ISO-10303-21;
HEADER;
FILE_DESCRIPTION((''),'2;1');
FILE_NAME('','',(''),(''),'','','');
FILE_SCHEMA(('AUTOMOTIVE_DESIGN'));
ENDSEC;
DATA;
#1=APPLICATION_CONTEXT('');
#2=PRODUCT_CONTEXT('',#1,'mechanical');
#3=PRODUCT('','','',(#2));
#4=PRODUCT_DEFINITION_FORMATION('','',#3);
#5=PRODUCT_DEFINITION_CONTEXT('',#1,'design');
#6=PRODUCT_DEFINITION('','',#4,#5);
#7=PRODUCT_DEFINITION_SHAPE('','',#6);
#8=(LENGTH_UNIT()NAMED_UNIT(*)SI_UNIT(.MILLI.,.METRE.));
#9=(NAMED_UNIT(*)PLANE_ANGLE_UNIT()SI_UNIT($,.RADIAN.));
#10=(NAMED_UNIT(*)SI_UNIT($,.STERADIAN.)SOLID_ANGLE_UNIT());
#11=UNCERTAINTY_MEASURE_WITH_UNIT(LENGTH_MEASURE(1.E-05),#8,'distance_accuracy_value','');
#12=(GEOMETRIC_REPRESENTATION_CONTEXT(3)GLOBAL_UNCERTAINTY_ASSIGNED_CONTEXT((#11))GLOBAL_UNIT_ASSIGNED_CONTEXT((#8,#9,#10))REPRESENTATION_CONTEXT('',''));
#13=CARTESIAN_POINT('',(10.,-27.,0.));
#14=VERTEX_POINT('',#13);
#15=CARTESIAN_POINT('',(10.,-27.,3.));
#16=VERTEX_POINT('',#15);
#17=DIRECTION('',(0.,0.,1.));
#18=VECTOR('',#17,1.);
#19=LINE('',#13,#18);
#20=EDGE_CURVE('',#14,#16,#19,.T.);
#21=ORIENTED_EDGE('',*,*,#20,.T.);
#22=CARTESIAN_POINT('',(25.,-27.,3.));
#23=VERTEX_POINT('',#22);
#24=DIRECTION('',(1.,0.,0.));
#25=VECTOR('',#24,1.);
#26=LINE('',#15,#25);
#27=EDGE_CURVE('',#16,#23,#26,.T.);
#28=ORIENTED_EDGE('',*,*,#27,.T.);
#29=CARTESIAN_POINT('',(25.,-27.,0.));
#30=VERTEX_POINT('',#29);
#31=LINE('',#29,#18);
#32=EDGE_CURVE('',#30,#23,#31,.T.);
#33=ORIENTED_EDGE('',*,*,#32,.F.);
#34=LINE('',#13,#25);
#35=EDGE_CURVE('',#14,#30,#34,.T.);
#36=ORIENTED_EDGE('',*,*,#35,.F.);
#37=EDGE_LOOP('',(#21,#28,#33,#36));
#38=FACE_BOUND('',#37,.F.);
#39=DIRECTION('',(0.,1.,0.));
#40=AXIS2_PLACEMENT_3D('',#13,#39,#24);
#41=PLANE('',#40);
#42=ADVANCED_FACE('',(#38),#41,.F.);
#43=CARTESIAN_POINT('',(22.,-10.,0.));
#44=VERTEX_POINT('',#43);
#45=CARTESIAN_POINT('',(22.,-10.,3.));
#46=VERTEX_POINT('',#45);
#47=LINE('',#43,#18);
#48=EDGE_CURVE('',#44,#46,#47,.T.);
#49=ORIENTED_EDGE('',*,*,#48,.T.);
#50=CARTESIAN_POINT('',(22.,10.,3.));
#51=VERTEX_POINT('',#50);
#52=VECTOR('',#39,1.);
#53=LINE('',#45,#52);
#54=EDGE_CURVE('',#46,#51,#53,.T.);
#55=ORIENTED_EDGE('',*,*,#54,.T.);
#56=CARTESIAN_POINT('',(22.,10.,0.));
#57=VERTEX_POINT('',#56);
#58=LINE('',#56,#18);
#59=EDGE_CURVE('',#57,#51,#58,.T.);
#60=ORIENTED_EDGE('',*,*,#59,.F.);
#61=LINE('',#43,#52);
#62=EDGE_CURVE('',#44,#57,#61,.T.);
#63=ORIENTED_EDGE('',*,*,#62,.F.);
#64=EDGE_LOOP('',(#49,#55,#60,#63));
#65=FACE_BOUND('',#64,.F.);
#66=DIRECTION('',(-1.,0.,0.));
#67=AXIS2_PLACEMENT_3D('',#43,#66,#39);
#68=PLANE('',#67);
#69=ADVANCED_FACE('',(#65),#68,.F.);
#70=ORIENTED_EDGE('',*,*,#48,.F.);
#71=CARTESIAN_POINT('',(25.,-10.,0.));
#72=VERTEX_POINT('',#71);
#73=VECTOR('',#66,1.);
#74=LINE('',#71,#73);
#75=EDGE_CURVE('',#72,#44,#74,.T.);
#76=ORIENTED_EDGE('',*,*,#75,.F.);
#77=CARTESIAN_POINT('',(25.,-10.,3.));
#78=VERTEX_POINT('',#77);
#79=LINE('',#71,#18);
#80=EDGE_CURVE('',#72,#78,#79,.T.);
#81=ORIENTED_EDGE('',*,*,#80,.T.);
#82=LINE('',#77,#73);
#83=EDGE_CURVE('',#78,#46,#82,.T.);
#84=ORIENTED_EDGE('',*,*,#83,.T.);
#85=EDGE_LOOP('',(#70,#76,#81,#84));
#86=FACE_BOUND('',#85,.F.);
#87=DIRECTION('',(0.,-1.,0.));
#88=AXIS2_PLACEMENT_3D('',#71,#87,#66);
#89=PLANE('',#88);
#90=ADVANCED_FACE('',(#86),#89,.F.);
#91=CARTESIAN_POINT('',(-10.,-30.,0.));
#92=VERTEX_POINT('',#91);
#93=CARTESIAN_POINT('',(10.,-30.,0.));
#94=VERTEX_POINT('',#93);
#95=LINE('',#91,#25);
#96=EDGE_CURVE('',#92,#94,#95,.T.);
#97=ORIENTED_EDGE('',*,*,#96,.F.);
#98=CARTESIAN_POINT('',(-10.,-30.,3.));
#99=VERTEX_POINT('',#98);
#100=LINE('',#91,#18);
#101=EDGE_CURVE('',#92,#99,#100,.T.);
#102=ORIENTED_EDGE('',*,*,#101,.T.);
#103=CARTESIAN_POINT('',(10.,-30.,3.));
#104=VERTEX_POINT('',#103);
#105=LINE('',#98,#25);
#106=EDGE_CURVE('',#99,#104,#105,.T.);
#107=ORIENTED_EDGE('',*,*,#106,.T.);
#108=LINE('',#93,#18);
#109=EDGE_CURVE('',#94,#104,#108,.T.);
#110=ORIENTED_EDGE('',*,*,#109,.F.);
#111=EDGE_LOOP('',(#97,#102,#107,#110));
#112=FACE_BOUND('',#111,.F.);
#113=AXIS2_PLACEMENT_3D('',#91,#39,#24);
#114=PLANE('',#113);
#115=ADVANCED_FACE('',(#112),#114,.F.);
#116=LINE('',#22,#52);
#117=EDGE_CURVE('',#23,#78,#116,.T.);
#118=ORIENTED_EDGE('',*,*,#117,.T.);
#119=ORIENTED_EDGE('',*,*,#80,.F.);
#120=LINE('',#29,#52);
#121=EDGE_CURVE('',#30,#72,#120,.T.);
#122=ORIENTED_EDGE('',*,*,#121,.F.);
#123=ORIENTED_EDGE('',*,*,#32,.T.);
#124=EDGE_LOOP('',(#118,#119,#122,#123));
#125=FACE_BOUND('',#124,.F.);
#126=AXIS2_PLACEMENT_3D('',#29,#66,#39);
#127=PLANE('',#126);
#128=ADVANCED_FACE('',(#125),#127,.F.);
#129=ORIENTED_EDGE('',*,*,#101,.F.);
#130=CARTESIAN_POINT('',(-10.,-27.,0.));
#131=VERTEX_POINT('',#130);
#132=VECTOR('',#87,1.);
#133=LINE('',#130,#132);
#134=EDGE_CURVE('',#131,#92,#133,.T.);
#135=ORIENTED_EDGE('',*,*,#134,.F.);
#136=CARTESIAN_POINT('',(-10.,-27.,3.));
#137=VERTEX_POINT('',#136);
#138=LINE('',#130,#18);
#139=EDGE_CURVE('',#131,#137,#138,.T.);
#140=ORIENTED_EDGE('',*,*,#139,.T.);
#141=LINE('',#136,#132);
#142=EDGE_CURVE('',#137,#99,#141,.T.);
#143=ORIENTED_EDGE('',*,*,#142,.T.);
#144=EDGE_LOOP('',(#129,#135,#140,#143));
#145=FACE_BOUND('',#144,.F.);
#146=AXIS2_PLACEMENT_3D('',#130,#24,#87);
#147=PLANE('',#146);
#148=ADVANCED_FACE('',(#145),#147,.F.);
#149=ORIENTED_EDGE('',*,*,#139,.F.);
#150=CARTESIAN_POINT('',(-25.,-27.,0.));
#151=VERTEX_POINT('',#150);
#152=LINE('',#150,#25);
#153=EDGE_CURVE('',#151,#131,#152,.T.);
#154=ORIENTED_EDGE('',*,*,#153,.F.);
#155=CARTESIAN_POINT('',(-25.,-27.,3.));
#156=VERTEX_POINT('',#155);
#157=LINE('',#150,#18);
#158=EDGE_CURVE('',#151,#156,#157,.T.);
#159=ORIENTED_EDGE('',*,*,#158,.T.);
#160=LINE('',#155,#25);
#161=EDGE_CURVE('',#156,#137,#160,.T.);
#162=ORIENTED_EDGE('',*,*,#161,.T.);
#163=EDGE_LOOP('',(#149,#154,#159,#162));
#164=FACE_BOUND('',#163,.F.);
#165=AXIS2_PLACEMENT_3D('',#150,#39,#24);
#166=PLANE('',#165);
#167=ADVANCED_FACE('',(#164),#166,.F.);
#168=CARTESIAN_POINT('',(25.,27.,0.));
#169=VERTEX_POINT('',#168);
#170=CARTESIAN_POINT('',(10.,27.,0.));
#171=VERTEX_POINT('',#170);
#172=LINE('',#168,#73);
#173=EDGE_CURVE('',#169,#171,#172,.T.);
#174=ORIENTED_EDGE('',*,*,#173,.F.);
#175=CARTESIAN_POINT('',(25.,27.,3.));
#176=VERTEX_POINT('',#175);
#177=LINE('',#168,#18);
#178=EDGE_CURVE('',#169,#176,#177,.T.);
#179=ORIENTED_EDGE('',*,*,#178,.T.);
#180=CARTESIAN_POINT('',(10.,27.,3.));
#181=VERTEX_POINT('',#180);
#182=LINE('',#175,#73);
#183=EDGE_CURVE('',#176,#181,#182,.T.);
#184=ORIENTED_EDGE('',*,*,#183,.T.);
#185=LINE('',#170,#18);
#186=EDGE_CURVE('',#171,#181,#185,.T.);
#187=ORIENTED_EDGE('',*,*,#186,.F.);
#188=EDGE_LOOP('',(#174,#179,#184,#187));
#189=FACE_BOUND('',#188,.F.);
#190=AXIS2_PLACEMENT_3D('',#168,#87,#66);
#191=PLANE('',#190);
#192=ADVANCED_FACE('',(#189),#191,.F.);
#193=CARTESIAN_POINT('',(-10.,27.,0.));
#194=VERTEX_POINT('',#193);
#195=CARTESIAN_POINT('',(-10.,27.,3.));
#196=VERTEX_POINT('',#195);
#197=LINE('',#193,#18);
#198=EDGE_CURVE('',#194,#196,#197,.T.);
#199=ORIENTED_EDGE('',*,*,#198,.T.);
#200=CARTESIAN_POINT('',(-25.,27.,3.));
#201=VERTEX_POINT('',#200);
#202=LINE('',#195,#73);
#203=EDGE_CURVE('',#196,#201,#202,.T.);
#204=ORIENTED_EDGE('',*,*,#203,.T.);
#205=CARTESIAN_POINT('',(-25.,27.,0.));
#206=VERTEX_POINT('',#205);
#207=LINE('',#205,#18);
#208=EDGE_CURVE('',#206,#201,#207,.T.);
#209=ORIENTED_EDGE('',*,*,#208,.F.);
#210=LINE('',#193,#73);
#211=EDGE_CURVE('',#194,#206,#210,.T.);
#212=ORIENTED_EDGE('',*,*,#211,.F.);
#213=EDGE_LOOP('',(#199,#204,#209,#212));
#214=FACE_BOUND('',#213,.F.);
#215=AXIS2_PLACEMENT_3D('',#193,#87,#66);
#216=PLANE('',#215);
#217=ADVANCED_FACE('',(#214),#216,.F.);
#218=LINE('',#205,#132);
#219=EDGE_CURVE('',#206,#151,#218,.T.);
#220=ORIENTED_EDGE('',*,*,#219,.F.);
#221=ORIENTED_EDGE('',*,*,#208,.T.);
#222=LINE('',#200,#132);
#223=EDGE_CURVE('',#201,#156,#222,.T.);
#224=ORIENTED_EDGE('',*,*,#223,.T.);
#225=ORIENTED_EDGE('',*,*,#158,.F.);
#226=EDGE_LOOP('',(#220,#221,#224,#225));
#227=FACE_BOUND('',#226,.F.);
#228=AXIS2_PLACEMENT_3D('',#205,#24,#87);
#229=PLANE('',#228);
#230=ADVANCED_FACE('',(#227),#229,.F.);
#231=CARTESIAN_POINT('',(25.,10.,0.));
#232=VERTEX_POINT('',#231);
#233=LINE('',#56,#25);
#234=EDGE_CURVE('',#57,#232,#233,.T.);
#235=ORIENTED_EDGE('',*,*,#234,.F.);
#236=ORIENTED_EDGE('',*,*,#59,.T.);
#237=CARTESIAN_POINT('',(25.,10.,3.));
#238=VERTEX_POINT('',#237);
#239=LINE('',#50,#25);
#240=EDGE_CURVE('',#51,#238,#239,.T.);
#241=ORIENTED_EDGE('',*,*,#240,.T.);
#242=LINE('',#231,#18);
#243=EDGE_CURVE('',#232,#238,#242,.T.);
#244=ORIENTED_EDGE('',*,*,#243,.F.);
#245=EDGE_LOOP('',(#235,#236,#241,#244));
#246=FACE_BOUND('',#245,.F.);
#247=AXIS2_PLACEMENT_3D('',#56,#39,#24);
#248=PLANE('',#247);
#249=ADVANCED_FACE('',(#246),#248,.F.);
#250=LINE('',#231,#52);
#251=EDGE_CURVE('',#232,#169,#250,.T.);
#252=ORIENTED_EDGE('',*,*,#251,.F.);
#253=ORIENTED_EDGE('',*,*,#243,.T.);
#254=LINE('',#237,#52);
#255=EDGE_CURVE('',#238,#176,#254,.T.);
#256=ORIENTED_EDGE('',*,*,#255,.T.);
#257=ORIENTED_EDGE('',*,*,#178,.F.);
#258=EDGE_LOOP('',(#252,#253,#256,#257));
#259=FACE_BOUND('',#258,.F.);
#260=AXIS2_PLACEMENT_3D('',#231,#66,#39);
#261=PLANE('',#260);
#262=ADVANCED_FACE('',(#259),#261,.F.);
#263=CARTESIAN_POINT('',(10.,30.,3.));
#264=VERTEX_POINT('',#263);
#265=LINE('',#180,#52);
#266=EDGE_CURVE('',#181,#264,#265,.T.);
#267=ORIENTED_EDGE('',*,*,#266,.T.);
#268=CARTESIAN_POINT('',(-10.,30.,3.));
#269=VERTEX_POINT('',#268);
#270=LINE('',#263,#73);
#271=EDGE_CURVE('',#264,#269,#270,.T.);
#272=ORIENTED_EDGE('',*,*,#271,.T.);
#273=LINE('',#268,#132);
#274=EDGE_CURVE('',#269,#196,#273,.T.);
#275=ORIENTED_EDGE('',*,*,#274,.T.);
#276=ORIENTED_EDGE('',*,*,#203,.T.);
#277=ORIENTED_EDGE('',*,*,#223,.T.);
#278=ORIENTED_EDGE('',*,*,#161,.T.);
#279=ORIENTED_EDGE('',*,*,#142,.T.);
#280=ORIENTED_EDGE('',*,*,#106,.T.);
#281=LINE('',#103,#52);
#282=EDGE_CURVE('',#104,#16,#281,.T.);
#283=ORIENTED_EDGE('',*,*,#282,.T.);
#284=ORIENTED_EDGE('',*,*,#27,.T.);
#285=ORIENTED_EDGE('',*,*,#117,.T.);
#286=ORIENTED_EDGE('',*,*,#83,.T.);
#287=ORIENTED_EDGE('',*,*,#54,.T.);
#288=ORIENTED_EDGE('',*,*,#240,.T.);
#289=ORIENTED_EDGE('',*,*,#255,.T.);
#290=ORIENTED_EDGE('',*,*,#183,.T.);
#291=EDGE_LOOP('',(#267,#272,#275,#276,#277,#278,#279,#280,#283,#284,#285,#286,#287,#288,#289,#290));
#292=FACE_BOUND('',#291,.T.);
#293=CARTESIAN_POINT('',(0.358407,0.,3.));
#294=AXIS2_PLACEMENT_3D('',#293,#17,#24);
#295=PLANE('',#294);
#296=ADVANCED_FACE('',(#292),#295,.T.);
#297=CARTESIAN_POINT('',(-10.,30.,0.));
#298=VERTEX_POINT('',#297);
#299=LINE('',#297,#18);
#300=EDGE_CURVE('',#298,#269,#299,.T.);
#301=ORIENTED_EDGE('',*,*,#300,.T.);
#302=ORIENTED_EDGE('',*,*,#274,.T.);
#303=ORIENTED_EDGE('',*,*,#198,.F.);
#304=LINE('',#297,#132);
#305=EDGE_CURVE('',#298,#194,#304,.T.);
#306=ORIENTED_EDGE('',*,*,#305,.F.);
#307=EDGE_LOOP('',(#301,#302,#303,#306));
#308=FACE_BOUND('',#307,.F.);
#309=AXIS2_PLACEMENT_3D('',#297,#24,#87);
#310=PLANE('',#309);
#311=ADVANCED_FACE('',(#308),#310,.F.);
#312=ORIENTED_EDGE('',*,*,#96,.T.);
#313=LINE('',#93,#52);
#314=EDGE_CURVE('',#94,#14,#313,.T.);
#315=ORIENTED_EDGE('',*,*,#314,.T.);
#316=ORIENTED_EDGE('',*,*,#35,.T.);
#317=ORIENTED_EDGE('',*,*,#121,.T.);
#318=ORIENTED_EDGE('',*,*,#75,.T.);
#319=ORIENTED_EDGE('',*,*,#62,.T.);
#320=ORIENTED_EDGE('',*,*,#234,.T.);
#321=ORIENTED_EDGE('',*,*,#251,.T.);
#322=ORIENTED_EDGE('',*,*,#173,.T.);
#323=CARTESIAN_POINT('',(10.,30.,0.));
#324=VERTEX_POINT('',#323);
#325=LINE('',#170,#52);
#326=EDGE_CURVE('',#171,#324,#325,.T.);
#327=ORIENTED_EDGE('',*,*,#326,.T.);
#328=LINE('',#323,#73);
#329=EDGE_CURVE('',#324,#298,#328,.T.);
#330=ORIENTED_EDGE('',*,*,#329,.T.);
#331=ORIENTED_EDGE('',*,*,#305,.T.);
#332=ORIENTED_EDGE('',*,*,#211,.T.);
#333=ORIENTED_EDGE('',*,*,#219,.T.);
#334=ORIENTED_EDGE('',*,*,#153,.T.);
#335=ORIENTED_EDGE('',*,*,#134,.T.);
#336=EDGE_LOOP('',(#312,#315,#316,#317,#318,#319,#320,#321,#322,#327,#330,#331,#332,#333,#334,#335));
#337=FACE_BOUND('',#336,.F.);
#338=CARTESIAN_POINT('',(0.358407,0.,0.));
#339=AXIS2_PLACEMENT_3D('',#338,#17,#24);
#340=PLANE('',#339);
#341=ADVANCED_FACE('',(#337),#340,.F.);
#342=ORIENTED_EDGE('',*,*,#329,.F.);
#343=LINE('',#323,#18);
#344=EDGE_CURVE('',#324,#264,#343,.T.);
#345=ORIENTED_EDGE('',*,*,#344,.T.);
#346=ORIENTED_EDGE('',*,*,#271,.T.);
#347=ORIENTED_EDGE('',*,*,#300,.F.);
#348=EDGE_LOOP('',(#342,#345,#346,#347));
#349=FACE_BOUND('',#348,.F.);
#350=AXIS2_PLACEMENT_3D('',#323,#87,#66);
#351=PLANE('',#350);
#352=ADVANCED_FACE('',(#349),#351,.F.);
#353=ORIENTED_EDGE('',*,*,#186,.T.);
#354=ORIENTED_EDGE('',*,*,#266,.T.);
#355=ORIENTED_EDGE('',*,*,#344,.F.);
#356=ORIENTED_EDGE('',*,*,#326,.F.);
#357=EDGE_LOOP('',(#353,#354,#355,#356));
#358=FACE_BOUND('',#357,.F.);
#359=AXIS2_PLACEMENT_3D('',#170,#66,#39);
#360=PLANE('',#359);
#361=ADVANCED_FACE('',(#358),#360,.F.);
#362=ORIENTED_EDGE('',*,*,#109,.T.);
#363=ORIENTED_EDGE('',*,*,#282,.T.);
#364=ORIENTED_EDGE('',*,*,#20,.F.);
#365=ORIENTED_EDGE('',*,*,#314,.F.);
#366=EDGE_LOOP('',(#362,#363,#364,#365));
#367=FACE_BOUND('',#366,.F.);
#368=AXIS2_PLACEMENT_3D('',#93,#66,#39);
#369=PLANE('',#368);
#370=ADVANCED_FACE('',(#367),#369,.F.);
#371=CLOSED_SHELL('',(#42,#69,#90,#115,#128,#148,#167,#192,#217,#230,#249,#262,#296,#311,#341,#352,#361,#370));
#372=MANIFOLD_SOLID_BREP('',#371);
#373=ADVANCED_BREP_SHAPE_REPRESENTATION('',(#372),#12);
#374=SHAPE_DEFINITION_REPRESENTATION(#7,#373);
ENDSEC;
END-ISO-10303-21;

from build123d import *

# Parameters (mm, degrees)
F1_DEPTH = 3


with BuildPart() as f1:
    # F0 (on Top) → F1 (new body)
    with BuildSketch(Plane.XY):
        Polygon((10, 27), (10, 30), (-10, 30), (-10, 27), (-25, 27), (-25, -27), (-10, -27), (-10, -30), (10, -30), (10, -27), (25, -27), (25, -10), (22, -10), (22, 10), (25, 10), (25, 27), align=None)
    extrude(amount=F1_DEPTH)


solid = f1.part
